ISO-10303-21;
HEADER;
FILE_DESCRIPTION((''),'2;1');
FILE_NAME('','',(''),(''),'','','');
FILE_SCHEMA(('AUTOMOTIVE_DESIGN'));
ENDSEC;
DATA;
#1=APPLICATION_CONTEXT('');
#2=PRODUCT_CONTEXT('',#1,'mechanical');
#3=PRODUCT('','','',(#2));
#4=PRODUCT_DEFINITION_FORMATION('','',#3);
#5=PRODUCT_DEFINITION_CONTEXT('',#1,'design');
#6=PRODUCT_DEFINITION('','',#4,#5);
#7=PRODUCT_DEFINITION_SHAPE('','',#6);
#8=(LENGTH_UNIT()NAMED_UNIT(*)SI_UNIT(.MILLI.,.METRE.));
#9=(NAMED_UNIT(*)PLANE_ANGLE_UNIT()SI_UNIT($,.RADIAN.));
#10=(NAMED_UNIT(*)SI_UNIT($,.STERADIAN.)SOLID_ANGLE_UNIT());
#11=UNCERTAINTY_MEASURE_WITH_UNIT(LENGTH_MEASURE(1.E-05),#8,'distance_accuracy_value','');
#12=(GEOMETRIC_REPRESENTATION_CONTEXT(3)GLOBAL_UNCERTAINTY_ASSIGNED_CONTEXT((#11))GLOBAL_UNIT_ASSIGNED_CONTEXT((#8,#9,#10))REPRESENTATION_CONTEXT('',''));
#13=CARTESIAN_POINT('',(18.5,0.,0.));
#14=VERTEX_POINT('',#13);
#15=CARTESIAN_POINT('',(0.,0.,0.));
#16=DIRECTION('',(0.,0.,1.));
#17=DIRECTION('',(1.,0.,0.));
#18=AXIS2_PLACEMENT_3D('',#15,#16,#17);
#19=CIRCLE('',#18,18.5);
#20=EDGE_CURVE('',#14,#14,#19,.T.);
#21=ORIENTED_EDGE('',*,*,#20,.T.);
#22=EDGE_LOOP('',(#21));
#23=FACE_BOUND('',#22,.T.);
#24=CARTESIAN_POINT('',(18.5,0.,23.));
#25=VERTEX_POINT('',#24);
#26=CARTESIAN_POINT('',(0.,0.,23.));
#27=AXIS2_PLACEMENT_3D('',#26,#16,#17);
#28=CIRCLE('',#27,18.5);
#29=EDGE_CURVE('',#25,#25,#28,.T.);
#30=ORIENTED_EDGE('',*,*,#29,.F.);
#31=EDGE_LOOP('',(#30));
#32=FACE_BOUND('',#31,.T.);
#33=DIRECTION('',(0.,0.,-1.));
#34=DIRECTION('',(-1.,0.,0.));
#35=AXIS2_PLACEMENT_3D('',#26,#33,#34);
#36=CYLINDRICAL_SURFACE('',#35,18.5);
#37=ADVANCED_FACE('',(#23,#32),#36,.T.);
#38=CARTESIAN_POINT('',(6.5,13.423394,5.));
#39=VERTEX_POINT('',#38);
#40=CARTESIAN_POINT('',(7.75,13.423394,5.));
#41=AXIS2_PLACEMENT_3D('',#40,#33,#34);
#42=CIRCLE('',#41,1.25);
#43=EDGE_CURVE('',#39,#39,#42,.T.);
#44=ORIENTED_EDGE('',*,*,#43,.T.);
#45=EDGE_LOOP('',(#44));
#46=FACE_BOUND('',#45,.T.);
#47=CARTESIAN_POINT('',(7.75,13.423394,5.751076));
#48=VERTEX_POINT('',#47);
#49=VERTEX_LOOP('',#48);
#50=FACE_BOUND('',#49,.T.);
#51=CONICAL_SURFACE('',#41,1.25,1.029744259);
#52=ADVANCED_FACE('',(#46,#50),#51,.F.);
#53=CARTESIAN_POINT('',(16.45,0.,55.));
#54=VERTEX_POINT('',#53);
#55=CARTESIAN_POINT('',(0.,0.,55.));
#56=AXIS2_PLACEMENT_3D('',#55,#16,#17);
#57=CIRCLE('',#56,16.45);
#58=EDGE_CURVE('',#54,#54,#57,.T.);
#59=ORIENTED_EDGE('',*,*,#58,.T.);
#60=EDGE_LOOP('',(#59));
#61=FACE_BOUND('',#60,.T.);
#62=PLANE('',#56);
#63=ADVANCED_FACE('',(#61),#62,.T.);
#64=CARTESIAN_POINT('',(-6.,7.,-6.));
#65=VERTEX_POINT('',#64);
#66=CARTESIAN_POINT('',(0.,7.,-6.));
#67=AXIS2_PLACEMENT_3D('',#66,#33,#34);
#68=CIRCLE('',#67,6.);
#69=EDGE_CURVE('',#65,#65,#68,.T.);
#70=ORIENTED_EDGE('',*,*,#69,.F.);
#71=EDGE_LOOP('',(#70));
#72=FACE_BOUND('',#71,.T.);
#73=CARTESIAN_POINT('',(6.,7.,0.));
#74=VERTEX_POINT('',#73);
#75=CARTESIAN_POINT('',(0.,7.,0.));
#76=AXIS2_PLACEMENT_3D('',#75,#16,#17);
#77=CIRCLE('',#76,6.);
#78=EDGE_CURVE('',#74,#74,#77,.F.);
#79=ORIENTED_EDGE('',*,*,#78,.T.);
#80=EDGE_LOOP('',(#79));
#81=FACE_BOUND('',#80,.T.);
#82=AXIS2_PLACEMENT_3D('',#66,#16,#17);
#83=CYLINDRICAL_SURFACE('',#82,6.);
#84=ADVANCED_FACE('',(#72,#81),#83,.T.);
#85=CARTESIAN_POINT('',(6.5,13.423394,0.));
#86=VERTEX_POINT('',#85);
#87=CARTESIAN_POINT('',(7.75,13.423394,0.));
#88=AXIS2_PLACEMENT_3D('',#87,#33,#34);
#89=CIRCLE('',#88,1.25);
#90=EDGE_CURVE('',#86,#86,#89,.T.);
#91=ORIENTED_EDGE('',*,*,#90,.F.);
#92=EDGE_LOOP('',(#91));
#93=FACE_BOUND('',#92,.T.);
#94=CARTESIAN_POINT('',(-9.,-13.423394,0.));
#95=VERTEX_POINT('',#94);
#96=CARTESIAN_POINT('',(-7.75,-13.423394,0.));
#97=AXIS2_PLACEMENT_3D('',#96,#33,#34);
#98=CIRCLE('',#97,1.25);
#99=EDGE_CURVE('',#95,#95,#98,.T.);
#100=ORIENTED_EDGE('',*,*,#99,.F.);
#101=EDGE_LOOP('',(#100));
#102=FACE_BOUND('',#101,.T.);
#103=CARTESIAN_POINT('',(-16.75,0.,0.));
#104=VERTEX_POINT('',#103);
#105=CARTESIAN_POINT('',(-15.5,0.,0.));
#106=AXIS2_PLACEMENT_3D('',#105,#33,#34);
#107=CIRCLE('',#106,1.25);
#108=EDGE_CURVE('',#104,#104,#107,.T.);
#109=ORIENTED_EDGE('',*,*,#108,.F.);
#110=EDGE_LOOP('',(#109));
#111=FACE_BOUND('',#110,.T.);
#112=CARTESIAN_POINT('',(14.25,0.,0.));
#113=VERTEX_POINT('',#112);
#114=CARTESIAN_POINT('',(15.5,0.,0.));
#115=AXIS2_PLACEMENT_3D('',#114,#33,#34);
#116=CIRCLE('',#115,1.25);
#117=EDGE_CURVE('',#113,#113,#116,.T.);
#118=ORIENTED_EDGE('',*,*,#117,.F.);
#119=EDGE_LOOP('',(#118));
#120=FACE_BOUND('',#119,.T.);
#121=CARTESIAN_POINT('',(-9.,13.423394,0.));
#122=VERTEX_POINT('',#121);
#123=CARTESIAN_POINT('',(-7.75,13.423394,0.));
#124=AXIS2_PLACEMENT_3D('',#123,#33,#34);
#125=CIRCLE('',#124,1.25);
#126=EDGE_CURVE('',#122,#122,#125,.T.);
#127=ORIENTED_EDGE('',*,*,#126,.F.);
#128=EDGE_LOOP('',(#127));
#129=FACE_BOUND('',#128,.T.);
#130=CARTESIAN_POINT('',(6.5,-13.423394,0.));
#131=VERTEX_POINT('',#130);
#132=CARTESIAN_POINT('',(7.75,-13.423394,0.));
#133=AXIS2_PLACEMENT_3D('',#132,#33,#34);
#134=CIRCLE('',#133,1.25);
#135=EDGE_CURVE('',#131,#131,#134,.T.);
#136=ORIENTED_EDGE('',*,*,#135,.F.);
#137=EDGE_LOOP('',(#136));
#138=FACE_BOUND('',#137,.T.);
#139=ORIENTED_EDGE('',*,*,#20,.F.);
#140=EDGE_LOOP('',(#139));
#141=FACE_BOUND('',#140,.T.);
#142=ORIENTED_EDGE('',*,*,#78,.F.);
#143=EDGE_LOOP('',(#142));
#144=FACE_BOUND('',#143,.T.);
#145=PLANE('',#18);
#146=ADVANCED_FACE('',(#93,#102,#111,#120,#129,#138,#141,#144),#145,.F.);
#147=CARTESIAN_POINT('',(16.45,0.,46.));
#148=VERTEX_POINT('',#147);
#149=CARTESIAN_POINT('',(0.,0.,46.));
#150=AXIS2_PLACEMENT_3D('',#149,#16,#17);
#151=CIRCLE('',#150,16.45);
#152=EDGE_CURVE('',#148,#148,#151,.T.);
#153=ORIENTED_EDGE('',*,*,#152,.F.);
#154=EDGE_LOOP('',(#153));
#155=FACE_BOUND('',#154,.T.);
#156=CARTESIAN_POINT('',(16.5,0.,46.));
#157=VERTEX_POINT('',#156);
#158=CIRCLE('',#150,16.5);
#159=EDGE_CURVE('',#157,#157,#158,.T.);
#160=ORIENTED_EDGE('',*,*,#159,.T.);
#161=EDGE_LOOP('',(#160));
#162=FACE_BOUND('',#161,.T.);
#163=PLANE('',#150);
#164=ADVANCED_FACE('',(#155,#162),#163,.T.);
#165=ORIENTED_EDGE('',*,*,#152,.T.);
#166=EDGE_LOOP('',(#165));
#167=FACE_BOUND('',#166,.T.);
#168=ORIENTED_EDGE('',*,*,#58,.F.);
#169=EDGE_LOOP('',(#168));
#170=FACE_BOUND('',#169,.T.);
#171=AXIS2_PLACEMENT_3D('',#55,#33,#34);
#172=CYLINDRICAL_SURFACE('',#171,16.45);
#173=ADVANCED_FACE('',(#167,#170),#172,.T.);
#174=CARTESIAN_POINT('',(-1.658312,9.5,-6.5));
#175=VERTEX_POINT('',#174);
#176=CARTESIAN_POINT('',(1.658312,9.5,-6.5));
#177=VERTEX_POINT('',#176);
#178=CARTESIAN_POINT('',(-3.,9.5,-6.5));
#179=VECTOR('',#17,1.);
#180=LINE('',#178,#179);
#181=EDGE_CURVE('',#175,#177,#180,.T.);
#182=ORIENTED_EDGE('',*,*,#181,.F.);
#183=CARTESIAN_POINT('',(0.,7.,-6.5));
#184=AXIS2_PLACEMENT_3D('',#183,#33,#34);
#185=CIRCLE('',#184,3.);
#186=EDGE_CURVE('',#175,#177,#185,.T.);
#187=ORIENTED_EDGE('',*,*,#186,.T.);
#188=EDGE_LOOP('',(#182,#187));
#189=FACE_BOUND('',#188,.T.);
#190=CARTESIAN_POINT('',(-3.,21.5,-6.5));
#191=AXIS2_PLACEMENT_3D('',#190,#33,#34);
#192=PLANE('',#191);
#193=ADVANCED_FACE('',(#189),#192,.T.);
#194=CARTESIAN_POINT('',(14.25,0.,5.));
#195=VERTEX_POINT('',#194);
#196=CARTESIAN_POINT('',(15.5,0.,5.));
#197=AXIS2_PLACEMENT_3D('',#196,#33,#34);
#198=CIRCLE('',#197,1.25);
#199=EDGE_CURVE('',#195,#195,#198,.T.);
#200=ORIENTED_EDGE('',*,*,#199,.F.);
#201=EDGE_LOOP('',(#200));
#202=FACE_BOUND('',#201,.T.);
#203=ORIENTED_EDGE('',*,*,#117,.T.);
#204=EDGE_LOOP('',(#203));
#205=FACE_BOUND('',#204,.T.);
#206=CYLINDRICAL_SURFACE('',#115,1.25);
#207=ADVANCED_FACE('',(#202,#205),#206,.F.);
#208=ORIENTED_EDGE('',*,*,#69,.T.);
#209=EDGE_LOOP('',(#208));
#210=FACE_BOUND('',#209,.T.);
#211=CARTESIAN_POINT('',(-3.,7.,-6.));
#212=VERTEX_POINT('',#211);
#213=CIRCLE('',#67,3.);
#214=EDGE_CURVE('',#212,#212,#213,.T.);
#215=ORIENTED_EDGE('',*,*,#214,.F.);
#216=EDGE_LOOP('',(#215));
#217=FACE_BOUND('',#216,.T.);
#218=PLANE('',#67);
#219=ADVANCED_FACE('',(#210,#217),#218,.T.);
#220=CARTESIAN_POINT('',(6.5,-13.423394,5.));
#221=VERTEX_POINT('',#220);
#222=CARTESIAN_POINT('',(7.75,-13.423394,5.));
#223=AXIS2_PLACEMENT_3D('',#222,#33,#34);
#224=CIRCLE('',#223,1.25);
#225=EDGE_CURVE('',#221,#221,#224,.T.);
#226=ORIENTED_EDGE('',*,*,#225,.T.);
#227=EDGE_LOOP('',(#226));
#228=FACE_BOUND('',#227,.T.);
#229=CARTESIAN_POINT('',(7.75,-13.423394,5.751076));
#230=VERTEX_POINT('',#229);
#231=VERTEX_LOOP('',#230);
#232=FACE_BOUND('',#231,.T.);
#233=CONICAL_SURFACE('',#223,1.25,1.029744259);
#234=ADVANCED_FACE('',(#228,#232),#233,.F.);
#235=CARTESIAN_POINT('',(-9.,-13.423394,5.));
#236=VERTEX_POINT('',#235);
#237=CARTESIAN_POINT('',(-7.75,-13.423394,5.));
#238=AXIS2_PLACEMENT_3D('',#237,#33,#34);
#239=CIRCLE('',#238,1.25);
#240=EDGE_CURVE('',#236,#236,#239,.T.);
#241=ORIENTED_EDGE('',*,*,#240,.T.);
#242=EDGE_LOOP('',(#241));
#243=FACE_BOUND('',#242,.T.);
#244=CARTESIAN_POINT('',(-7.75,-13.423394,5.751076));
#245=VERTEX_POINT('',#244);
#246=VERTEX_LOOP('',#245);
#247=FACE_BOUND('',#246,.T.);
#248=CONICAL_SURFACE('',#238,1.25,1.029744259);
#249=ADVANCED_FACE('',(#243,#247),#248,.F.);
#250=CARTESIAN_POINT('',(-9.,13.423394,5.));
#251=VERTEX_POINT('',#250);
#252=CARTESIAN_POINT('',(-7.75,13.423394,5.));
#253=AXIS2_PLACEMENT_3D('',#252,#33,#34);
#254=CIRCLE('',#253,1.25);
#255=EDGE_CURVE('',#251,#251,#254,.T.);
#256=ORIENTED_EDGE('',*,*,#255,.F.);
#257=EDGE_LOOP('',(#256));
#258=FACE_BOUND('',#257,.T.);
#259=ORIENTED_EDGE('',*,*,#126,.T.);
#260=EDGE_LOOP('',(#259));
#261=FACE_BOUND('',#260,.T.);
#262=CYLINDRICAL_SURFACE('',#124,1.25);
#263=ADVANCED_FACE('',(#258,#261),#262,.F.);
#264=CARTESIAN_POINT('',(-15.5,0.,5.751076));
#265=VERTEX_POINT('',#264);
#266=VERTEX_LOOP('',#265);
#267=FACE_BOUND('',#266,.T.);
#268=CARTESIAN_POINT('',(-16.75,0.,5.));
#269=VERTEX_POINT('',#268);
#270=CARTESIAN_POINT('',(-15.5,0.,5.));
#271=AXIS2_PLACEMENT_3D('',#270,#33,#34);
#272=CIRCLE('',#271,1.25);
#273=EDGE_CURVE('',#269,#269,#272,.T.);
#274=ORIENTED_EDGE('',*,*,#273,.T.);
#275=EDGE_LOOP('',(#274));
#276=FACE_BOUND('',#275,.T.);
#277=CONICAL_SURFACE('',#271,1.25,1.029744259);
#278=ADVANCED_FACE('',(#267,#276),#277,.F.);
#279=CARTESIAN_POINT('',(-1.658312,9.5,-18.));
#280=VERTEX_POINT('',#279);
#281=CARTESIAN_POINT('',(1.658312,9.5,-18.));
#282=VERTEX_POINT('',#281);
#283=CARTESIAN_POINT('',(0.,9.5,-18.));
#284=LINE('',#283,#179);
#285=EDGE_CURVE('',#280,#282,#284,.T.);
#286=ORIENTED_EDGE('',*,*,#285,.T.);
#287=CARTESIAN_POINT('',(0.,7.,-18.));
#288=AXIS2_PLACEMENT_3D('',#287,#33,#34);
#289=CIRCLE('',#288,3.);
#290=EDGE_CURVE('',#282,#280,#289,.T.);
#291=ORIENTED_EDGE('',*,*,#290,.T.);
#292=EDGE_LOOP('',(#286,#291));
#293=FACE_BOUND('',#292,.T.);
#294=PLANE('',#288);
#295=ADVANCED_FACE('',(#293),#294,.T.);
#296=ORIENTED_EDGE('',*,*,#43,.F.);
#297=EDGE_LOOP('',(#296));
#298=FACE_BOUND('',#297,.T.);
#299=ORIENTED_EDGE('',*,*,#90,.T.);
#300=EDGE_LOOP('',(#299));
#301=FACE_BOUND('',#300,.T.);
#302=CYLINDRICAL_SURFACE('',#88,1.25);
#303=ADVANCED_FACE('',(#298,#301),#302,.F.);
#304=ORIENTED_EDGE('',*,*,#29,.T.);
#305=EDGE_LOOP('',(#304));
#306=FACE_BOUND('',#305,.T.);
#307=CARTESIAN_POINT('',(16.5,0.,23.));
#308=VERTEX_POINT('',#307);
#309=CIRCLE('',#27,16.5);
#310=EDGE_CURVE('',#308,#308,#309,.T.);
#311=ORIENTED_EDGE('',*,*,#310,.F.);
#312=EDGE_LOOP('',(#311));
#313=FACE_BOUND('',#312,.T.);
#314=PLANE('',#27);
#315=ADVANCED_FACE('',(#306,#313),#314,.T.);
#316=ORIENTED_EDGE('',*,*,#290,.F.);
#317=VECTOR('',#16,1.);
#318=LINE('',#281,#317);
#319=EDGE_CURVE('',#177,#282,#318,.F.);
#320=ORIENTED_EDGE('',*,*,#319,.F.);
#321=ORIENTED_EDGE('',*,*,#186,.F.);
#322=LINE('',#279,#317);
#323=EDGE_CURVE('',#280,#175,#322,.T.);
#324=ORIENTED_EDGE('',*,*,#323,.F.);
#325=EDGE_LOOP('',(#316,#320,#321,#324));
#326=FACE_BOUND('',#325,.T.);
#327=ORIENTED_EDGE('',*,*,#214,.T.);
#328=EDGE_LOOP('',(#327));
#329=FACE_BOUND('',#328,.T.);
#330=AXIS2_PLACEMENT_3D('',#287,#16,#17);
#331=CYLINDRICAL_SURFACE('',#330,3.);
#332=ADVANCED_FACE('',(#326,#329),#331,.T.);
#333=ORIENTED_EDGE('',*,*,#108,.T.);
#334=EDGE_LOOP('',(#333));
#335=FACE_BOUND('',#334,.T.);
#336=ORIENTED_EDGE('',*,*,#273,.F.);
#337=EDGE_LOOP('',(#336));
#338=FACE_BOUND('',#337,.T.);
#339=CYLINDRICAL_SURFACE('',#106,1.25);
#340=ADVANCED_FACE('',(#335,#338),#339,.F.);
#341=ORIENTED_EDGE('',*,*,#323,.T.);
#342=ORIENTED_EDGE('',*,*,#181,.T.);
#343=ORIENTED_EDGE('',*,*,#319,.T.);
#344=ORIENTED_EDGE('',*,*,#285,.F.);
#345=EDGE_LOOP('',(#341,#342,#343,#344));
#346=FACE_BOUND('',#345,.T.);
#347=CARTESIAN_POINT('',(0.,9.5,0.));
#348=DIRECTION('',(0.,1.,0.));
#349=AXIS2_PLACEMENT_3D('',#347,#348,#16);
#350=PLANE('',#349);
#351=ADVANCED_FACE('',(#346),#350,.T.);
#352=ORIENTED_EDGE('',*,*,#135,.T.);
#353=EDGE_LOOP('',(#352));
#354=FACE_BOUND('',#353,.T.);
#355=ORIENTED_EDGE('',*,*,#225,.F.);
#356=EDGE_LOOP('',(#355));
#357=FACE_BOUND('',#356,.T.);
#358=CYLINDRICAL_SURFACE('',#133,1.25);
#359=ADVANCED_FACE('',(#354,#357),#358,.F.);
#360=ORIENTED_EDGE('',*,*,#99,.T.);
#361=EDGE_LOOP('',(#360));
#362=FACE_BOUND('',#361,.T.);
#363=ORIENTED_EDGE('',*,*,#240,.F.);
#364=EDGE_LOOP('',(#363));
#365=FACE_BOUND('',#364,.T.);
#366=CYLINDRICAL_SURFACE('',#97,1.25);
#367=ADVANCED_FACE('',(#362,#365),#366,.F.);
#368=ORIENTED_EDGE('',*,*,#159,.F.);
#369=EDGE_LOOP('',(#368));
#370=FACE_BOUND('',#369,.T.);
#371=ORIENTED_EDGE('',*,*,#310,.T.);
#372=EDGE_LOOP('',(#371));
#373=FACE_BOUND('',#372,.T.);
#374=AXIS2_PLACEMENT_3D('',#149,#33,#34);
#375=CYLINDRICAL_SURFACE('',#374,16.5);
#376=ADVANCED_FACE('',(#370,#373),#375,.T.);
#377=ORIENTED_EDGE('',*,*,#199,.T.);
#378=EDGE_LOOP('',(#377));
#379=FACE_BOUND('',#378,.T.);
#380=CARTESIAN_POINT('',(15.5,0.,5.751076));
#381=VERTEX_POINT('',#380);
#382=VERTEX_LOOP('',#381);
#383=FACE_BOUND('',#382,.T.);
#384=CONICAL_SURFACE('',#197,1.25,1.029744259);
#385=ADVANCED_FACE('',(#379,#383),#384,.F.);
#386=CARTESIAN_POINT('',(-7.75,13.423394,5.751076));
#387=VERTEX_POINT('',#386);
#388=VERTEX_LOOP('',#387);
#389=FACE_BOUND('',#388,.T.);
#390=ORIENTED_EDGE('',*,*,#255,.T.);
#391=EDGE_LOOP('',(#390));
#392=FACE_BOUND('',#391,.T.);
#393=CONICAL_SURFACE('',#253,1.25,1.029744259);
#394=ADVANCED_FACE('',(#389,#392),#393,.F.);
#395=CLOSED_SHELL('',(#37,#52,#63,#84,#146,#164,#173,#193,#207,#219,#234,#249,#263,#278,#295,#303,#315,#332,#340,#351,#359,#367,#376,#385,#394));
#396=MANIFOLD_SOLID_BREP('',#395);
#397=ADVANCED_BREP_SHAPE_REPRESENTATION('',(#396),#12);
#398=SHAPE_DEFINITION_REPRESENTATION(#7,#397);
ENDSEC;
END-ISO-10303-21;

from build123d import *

# Parameters (mm, degrees)
SKETCH1_R           = 18.5
BOSS_EXTRUDE1_DEPTH = 23
SKETCH2_R           = 16.5
BOSS_EXTRUDE2_DEPTH = 23
SKETCH3_R           = 6
BOSS_EXTRUDE3_DEPTH = 6
SKETCH4_R           = 3
BOSS_EXTRUDE4_DEPTH = 12
SKETCH5_W           = 6
SKETCH5_H           = 11.5
CUT_EXTRUDE1_DEPTH  = 12
CIRPATTERN1_COUNT   = 6
SKETCH9_R           = 16.45
BOSS_EXTRUDE5_DEPTH = 9


with BuildPart() as part:
    # Sketch1 → Boss-Extrude1 (new body)
    with BuildSketch(Plane.XY):
        Circle(SKETCH1_R)
    extrude(amount=BOSS_EXTRUDE1_DEPTH)

    # Sketch2 → Boss-Extrude2 (add)
    with BuildSketch(Plane.XY.offset(23)):
        Circle(SKETCH2_R)
    extrude(amount=BOSS_EXTRUDE2_DEPTH)

    # Sketch3 → Boss-Extrude3 (add)
    with BuildSketch(Plane(origin=(0, 0, 0), x_dir=(-1, 0, 0), z_dir=(0, 0, -1))):
        with Locations(Location((0, 7, 0), (0, 0, 180))):
            Circle(SKETCH3_R)
    extrude(amount=BOSS_EXTRUDE3_DEPTH)

    # Sketch4 → Boss-Extrude4 (add)
    with BuildSketch(Plane(origin=(0, 0, -6), x_dir=(-1, 0, 0), z_dir=(0, 0, -1))):
        with Locations((0, 7)):
            Circle(SKETCH4_R)
    extrude(amount=BOSS_EXTRUDE4_DEPTH)

    # Sketch5 → Cut-Extrude1 (cut)
    with BuildSketch(Plane(origin=(0, 9.5, 0), x_dir=(1, 0, 0), z_dir=(0, 1, 0))):
        with Locations((0, 12.25)):
            Rectangle(SKETCH5_W, SKETCH5_H)
    extrude(amount=CUT_EXTRUDE1_DEPTH, mode=Mode.SUBTRACT)

    # Sketch8 → M3 Tapped Hole1 (revolve, cut)
    with BuildSketch(Plane.YZ.offset(15.5)):
        Polygon((0, 0), (0, 5.751075774), (1.25, 5), (1.25, 0), align=None)
    m3_tapped_hole1 = revolve(axis=Axis((15.5, 0, -6.35), (0, 0, 1)), mode=Mode.SUBTRACT)

    # CirPattern1: M3 Tapped Hole1 ×6 about axis
    cirpattern1_axis = Axis((0, 0, 0), (0, 0, 1))
    for i in range(1, CIRPATTERN1_COUNT):
        add(m3_tapped_hole1.rotate(cirpattern1_axis, i * 360 / CIRPATTERN1_COUNT), mode=Mode.SUBTRACT)

    # Sketch9 → Boss-Extrude5 (add)
    with BuildSketch(Plane.XY.offset(46)):
        Circle(SKETCH9_R)
    extrude(amount=BOSS_EXTRUDE5_DEPTH)


solid = part.part
